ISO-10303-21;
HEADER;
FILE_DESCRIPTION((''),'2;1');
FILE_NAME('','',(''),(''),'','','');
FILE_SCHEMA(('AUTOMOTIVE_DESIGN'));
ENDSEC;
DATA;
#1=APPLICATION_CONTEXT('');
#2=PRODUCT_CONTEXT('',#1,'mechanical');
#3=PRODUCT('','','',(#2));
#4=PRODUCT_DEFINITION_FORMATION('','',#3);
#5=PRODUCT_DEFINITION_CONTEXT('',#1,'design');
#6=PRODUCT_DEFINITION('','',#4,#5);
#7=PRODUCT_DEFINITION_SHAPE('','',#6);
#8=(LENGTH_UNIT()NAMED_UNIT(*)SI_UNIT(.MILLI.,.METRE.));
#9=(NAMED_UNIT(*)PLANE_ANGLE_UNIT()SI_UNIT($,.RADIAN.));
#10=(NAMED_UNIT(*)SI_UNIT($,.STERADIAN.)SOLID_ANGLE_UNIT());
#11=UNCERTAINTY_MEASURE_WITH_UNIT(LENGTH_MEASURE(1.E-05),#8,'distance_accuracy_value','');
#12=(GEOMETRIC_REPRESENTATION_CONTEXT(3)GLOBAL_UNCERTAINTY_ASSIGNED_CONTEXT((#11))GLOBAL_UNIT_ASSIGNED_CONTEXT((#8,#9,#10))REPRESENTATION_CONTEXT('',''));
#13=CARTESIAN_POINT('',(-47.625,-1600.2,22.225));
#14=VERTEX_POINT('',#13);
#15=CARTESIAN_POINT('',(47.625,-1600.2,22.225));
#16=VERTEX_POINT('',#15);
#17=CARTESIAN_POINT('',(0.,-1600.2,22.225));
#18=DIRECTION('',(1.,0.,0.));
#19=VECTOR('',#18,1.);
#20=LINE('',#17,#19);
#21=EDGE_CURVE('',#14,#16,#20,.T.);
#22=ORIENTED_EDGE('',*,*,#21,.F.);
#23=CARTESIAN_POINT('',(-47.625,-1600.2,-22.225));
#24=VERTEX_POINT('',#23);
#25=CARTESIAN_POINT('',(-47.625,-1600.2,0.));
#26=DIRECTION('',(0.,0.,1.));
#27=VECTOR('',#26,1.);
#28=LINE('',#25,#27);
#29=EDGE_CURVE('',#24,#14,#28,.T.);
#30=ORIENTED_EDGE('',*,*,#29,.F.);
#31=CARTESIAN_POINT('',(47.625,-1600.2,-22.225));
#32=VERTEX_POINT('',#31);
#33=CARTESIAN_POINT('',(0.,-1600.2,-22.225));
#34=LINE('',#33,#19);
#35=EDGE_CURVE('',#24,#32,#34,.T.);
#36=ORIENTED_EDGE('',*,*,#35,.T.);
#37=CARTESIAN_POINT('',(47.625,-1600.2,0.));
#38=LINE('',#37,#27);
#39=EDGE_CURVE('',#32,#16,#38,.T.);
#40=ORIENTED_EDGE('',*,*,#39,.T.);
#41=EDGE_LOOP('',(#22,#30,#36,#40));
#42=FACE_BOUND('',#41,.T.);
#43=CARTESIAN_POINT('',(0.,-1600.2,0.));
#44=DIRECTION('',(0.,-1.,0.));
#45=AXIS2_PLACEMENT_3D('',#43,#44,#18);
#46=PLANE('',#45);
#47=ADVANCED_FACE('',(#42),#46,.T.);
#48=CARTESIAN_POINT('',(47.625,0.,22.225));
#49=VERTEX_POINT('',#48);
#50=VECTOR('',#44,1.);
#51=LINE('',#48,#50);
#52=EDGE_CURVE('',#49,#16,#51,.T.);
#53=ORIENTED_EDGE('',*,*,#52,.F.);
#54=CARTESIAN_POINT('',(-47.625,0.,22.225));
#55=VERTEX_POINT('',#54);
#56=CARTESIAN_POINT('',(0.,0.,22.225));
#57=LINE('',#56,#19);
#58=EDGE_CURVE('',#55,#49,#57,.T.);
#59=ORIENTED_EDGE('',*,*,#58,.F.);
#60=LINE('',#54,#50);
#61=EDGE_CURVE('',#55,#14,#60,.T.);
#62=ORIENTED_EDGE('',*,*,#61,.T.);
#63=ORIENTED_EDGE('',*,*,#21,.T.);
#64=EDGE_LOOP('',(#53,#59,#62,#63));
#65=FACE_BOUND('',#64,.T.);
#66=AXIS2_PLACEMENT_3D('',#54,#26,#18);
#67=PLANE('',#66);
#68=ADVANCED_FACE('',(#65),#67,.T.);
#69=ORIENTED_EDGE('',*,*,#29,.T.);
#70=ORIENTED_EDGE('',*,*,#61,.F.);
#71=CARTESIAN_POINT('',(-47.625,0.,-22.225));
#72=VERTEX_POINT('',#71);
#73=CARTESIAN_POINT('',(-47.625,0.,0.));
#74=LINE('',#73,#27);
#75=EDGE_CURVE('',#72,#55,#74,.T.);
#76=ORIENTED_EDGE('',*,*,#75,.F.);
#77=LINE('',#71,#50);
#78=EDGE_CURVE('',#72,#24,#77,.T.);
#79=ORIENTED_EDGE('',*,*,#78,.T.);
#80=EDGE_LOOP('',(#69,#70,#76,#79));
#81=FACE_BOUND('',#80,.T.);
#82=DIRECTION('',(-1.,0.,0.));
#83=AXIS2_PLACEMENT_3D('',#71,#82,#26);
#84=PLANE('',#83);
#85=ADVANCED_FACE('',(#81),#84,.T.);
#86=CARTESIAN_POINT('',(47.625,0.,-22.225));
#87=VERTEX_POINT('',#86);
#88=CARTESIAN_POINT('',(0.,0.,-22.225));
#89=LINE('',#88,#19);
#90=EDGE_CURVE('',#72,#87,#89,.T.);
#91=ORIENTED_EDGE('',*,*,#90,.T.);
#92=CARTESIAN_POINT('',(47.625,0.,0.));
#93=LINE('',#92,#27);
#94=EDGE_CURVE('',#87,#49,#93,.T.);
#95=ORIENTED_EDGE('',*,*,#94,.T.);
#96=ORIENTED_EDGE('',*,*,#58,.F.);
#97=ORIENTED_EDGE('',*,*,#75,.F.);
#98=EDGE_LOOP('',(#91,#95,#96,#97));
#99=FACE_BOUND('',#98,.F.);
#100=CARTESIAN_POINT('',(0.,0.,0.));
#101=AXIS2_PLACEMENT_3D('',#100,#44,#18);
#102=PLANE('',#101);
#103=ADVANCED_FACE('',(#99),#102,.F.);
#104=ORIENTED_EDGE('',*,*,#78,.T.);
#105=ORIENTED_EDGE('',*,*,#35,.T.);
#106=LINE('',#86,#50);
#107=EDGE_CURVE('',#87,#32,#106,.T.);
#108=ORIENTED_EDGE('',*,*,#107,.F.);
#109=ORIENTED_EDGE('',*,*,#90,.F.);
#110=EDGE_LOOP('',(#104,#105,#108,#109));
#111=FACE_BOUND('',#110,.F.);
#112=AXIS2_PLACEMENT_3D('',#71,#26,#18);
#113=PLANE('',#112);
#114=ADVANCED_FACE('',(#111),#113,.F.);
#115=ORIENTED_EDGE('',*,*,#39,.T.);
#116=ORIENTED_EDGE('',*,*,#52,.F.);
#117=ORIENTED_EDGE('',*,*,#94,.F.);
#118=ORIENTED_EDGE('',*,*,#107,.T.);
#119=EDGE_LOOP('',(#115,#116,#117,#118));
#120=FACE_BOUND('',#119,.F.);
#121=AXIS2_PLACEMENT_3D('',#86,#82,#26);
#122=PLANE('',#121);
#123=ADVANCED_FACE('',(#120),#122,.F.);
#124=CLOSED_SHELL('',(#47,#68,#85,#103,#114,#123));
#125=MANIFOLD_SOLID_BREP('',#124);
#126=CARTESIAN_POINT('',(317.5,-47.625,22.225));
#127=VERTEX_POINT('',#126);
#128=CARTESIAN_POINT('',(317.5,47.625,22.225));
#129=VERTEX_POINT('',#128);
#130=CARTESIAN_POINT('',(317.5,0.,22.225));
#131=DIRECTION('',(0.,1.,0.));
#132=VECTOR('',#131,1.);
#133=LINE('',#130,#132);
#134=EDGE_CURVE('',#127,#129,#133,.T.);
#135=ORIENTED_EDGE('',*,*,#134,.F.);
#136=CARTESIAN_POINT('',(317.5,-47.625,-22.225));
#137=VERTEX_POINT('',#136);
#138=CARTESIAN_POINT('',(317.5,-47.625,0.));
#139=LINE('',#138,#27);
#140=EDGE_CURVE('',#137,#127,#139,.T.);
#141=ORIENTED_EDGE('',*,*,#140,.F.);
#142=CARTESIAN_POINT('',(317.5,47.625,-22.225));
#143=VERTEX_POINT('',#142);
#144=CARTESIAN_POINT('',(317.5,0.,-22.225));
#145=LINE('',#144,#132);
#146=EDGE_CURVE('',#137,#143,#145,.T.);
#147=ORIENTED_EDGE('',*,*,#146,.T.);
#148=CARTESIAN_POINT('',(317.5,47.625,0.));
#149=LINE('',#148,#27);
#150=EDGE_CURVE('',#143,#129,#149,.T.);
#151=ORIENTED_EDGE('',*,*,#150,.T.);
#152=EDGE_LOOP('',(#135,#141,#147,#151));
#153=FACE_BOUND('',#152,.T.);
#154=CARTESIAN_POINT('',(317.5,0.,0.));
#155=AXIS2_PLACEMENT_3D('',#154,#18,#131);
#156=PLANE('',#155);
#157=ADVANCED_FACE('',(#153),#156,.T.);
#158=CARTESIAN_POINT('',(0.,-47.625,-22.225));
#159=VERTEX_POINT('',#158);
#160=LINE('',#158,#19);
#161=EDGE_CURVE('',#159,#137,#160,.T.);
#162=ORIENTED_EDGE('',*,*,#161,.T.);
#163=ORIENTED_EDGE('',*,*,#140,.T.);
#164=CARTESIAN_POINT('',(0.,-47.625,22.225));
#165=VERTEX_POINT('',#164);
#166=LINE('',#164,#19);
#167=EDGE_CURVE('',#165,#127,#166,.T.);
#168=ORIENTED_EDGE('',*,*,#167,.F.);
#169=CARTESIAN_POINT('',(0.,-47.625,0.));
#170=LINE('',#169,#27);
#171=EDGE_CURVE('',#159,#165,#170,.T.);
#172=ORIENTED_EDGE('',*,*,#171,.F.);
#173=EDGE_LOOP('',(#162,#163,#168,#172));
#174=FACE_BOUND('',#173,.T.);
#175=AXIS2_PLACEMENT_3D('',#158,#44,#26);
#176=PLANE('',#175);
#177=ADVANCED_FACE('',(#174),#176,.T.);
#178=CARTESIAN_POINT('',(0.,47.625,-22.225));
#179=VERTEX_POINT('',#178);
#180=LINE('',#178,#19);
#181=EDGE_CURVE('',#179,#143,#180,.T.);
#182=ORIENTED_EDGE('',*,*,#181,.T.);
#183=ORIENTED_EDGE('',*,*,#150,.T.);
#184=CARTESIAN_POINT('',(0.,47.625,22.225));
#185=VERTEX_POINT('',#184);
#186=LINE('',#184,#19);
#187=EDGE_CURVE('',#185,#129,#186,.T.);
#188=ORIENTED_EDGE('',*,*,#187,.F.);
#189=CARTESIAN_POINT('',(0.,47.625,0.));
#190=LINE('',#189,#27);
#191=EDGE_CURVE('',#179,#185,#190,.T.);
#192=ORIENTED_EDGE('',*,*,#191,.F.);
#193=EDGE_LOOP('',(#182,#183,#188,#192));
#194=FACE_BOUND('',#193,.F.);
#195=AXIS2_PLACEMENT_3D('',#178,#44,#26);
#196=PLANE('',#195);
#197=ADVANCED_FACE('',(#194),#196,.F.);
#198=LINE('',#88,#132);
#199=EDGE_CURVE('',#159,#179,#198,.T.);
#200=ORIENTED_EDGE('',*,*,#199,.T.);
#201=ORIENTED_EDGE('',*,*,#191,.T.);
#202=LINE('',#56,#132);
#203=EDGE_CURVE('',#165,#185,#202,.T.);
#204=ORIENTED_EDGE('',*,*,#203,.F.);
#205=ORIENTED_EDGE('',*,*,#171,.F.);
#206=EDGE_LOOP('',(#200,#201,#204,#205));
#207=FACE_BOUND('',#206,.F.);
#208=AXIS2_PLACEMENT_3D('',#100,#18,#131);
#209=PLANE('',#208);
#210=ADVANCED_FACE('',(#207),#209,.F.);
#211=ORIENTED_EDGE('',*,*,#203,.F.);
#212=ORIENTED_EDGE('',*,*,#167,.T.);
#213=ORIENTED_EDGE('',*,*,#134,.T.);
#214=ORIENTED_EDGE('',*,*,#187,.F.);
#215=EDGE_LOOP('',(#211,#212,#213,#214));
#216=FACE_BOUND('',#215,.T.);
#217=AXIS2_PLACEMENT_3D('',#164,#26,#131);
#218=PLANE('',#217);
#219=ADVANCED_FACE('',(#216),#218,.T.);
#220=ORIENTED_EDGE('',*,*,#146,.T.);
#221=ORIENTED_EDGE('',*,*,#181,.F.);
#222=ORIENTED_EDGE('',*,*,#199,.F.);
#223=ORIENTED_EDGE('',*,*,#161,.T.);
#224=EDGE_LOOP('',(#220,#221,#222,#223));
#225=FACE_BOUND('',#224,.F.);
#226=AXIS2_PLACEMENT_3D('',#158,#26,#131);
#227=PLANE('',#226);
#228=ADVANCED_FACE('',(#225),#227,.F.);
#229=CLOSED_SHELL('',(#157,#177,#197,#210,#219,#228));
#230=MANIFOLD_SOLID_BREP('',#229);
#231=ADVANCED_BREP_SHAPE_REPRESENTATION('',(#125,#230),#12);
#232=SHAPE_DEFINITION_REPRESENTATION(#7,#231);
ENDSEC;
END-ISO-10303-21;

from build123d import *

# Parameters (mm, degrees)
F0_W     = 95.25
F0_H     = 44.45
F1_DEPTH = 1600.2
F2_W     = 95.25
F2_H     = 44.45
F3_DEPTH = 317.5


with BuildPart() as f1:
    # F0 (on Front) → F1 (new body)
    with BuildSketch(Plane.XZ):
        Rectangle(F0_W, F0_H)
    extrude(amount=F1_DEPTH)


with BuildPart() as f3:
    # F2 (on Right) → F3 (new body)
    with BuildSketch(Plane.YZ):
        Rectangle(F2_W, F2_H)
    extrude(amount=F3_DEPTH)


solid = Compound([f1.part, f3.part])
